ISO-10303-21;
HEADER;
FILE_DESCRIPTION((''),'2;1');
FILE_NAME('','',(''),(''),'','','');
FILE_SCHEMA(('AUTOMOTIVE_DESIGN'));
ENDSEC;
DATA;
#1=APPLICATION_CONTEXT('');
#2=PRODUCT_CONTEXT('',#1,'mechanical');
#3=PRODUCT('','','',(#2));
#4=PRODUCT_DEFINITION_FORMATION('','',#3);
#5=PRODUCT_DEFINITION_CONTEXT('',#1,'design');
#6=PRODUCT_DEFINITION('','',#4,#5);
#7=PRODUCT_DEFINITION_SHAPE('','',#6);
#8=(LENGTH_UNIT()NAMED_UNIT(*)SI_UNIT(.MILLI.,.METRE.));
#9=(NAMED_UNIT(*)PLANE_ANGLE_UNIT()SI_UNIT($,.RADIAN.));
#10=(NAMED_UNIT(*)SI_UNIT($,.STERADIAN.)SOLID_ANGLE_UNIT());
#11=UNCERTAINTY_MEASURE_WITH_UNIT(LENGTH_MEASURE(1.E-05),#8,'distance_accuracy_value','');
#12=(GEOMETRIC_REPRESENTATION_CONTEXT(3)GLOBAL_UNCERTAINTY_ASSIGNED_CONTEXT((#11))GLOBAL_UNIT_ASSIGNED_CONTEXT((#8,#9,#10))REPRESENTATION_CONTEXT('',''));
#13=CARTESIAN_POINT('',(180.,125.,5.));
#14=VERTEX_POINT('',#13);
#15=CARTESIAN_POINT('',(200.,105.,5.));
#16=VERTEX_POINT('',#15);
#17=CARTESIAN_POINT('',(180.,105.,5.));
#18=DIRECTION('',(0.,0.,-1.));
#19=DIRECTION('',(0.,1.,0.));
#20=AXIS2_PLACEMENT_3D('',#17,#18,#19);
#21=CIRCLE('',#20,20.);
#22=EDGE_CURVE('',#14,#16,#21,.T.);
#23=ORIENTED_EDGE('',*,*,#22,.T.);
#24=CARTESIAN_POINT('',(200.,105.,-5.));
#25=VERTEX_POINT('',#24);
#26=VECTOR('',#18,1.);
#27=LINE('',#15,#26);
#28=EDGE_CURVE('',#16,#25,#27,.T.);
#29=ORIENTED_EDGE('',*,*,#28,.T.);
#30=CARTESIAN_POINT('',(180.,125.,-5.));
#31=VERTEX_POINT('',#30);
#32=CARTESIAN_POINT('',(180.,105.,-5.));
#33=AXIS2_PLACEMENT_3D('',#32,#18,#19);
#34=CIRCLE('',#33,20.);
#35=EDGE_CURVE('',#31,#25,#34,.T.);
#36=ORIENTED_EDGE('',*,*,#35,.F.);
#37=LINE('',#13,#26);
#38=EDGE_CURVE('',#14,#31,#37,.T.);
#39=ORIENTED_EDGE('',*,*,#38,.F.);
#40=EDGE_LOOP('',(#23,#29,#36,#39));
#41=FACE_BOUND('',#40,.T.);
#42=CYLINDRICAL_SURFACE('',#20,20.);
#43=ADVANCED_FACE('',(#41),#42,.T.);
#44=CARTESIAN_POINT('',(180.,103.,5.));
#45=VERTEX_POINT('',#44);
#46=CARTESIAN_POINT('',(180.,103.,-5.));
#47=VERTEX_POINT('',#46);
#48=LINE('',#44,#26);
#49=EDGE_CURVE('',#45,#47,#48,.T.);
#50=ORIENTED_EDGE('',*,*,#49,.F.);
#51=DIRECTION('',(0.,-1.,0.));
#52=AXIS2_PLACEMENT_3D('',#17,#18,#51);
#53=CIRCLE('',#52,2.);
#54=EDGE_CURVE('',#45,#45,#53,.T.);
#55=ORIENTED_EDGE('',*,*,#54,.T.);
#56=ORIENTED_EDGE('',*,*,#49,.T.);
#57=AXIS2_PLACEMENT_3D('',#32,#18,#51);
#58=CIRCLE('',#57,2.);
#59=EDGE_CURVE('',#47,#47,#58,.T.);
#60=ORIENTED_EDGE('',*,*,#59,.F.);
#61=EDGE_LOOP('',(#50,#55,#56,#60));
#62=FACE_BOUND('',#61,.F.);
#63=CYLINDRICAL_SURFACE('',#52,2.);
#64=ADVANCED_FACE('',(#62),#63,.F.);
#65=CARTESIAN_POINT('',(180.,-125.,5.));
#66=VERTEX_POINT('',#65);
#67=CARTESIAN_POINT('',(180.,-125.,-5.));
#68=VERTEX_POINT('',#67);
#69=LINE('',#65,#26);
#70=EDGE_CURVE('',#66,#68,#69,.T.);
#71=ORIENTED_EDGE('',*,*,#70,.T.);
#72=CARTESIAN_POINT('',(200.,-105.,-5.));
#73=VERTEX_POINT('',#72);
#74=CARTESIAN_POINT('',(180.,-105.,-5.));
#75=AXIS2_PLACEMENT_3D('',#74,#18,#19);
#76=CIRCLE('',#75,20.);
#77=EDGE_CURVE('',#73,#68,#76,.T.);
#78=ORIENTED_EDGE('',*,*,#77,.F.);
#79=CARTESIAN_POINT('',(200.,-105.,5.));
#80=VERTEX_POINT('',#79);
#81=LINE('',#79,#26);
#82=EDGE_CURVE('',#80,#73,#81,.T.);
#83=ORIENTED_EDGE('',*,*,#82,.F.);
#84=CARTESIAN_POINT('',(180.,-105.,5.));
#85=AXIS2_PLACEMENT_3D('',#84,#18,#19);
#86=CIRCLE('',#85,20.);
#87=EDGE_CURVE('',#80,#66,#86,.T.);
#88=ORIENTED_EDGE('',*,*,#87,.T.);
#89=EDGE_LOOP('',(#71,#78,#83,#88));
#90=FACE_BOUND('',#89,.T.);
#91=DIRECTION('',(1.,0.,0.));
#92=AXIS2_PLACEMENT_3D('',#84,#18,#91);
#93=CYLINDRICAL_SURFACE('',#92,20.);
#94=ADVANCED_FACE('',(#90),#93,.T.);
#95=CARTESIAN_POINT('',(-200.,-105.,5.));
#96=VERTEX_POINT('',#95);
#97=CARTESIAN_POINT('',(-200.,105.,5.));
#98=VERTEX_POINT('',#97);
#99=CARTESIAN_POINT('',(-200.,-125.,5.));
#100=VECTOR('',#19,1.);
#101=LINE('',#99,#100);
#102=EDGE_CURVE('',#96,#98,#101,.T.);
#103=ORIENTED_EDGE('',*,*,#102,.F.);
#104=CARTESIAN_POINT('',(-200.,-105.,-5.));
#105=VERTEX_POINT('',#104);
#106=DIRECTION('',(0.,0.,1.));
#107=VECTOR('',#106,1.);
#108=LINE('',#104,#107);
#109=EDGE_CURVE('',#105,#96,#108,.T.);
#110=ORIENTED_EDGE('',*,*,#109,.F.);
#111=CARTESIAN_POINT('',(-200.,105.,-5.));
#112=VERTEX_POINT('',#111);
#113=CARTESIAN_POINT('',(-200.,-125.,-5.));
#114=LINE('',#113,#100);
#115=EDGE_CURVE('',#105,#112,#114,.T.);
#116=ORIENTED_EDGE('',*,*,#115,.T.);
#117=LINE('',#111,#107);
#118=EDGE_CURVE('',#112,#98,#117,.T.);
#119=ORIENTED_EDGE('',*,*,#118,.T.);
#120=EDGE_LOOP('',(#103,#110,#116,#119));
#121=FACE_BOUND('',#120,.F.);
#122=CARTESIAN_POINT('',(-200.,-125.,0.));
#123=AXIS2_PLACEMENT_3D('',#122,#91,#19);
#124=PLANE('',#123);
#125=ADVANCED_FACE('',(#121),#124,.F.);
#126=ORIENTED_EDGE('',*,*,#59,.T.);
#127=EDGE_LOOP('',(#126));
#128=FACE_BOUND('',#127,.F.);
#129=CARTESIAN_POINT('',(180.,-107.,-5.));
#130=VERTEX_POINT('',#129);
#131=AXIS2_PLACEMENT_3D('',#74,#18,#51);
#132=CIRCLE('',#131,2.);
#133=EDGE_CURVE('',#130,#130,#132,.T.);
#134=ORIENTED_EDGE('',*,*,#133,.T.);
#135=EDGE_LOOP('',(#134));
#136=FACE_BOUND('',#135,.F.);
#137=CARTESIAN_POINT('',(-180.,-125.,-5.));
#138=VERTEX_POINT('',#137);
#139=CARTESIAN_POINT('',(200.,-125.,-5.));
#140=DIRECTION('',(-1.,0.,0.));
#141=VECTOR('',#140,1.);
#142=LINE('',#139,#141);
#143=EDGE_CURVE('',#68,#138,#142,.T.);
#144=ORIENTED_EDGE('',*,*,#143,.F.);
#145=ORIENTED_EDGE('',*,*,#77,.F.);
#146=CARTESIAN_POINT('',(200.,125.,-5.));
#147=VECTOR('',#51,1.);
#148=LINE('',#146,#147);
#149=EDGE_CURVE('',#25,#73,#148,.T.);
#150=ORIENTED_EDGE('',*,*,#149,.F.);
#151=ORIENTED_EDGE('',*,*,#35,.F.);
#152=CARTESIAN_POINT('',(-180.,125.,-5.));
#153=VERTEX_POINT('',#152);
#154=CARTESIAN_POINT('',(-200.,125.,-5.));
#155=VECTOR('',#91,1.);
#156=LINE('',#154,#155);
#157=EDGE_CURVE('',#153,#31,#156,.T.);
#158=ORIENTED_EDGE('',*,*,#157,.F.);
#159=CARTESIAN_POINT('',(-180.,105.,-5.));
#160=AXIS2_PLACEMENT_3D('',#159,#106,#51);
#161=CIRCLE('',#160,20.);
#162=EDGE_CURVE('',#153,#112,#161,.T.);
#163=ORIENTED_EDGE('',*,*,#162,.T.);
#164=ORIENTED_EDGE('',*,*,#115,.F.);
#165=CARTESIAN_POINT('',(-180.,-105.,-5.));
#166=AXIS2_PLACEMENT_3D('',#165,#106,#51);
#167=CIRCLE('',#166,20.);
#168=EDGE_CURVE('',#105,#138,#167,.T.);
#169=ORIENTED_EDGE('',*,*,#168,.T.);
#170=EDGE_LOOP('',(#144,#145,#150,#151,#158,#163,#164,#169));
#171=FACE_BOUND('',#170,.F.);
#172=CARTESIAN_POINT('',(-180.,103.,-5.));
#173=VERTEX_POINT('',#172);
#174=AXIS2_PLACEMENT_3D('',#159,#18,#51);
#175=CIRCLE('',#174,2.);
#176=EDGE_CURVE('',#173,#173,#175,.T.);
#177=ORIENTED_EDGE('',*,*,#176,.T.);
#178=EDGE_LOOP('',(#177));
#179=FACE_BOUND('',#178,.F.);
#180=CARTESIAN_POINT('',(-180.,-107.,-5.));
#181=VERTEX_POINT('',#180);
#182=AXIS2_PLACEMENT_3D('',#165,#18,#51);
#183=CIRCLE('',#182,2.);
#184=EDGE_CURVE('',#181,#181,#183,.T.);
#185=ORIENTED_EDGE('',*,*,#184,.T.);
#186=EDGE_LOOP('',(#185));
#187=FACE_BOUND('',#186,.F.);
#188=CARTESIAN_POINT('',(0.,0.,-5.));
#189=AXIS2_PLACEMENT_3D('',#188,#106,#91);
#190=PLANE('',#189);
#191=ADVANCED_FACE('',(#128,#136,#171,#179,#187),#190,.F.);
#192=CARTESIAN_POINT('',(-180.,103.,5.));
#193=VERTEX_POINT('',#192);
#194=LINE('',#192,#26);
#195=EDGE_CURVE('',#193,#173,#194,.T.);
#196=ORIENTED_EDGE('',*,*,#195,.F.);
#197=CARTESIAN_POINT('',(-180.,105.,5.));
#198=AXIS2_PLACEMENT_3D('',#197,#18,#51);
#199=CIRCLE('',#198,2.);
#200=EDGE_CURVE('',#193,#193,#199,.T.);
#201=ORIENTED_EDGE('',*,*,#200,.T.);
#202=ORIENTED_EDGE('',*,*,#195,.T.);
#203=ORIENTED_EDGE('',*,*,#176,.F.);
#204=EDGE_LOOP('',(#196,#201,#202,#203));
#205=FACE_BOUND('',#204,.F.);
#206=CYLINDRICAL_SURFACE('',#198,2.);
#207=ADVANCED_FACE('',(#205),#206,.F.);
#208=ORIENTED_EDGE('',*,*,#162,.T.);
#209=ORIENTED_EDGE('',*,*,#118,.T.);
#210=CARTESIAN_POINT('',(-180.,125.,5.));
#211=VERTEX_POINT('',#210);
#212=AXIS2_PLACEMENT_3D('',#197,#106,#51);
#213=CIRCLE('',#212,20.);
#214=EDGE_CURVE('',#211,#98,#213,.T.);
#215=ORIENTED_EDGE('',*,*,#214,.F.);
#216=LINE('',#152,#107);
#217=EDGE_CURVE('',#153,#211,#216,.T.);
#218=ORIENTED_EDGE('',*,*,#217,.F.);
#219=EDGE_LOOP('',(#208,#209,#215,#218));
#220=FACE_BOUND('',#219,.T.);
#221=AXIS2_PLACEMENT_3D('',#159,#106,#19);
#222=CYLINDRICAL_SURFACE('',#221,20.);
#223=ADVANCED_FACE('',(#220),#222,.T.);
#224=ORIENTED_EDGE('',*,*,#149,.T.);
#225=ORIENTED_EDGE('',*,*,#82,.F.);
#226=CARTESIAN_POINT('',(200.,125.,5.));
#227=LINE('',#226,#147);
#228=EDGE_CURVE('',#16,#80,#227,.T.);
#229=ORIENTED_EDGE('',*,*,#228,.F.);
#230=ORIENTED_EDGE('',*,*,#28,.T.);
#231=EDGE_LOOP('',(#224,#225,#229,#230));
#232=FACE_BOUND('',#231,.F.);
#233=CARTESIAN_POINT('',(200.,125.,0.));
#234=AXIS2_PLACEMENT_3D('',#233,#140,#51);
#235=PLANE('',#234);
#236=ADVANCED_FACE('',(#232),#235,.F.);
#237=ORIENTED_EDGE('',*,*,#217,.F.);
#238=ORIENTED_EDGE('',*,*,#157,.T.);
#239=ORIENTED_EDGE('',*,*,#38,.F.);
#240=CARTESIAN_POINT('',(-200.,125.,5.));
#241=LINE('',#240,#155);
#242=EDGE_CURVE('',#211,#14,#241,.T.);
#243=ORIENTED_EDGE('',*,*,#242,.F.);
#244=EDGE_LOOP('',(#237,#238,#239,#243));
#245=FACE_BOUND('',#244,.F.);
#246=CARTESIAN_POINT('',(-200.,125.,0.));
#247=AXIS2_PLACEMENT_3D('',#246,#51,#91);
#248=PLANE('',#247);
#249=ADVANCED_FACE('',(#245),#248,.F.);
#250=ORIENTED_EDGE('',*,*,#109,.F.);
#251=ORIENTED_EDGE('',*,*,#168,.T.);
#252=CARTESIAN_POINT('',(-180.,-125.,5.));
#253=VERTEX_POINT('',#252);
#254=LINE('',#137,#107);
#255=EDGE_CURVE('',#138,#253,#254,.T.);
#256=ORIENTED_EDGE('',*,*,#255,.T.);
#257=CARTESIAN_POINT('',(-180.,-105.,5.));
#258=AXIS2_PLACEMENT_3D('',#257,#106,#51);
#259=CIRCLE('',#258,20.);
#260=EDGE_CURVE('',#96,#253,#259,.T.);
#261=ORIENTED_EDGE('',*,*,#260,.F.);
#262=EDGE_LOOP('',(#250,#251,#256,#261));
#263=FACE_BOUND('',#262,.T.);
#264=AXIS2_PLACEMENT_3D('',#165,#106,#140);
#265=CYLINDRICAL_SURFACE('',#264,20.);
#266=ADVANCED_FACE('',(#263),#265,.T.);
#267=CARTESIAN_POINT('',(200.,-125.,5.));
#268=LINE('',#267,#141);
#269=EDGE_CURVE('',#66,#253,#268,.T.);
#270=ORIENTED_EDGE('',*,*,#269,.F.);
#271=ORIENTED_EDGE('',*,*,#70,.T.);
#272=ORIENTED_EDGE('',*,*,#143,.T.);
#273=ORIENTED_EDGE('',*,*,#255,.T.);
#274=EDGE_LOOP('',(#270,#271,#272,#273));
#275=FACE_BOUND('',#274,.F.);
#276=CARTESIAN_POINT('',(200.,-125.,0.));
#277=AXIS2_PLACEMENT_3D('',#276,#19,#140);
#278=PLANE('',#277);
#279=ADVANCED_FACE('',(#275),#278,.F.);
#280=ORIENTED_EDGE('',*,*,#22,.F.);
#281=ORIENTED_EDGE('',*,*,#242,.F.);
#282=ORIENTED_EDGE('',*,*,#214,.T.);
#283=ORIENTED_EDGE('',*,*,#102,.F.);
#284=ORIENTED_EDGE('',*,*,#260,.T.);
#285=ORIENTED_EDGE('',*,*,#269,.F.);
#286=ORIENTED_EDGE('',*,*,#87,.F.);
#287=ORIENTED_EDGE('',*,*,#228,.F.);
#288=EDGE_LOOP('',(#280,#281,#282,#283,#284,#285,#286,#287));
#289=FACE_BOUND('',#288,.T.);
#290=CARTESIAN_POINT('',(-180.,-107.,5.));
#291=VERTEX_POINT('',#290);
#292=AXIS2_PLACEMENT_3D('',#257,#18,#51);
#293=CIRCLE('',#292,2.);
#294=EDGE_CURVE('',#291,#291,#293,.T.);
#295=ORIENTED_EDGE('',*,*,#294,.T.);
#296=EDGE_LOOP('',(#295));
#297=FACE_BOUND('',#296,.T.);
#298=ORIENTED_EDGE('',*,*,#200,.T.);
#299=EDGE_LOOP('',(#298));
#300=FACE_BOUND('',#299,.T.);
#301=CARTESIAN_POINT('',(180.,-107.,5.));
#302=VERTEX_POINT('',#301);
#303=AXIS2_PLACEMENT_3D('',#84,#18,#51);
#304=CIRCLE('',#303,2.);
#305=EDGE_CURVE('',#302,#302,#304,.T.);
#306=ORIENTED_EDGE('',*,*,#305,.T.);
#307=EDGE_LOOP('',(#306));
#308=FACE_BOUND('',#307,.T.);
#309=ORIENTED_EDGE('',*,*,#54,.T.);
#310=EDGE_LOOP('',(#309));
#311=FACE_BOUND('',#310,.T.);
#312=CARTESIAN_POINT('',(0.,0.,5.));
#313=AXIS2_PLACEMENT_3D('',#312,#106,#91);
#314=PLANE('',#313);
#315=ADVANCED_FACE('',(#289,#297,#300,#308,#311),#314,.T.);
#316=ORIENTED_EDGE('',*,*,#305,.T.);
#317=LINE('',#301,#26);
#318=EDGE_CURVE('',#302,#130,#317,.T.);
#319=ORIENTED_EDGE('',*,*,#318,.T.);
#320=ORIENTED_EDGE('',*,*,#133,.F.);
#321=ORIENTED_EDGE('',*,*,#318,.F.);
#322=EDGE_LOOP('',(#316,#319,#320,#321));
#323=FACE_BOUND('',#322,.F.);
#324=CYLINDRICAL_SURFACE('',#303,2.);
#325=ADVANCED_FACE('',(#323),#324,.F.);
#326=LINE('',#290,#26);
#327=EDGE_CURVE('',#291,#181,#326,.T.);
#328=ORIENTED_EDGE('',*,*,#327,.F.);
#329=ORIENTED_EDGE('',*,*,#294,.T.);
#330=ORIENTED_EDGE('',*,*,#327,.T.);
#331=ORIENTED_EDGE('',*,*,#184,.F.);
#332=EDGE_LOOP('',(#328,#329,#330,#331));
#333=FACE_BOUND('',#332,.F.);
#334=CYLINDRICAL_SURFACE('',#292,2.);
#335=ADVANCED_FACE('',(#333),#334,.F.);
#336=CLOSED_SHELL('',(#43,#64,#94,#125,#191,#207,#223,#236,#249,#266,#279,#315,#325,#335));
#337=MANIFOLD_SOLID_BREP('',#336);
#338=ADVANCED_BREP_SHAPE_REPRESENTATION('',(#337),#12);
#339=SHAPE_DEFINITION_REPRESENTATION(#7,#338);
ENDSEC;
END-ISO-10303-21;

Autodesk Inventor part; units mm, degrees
ref_plane "YZ Plane" through (0, 0, 0) normal (1, 0, 0) x (0, 1, 0)
ref_plane "XZ Plane" through (0, 0, 0) normal (0, 1, 0) x (-1, 0, 0)
ref_plane "XY Plane" through (0, 0, 0) normal (0, 0, 1) x (1, 0, 0)
sketch "Sketch1" plane through (0, 0, 0) normal (0, 0, 1) x (1, 0, 0)
  line L0 (-200, 125) -> (200, 125)
  line L1 (200, 125) -> (200, -125)
  line L2 (200, -125) -> (-200, -125)
  line L3 (-200, -125) -> (-200, 125)
  line L4 (-200, 125) -> (200, -125) construction
  line L5 (200, 125) -> (-200, -125) construction
  point P0 (0, 0)
  dimension "d0" = 400
  dimension "d1" = 250
extrude "Extrusion1" add sketch "Sketch1" against normal mid plane 10
fillet "Fillet1" radius 20 4 edges at (-200, -125, 0) (200, -125, 0) (200, 125, 0) (-200, 125, 0)
sketch "Sketch2" plane through (0, 0, 5) normal (0, 0, 1) x (1, 0, 0)
  arc A0 (-180, 125) -> (-200, 105) centre (-180, 105) ccw projected
  arc A1 (-200, -105) -> (-180, -125) centre (-180, -105) ccw projected
  arc A2 (180, -125) -> (200, -105) centre (180, -105) ccw projected
  arc A3 (200, 105) -> (180, 125) centre (180, 105) ccw projected
  point P0 (0, 0)
hole "Hole1" at (-180, 105, 5) at (180, 105, 5) at (180, -105, 5) at (-180, -105, 5) direction (0, 0, -1) diameter 4 end through all
properties part number "4103_Aluminum Box Bottom_V1" material "UHMW, White"
